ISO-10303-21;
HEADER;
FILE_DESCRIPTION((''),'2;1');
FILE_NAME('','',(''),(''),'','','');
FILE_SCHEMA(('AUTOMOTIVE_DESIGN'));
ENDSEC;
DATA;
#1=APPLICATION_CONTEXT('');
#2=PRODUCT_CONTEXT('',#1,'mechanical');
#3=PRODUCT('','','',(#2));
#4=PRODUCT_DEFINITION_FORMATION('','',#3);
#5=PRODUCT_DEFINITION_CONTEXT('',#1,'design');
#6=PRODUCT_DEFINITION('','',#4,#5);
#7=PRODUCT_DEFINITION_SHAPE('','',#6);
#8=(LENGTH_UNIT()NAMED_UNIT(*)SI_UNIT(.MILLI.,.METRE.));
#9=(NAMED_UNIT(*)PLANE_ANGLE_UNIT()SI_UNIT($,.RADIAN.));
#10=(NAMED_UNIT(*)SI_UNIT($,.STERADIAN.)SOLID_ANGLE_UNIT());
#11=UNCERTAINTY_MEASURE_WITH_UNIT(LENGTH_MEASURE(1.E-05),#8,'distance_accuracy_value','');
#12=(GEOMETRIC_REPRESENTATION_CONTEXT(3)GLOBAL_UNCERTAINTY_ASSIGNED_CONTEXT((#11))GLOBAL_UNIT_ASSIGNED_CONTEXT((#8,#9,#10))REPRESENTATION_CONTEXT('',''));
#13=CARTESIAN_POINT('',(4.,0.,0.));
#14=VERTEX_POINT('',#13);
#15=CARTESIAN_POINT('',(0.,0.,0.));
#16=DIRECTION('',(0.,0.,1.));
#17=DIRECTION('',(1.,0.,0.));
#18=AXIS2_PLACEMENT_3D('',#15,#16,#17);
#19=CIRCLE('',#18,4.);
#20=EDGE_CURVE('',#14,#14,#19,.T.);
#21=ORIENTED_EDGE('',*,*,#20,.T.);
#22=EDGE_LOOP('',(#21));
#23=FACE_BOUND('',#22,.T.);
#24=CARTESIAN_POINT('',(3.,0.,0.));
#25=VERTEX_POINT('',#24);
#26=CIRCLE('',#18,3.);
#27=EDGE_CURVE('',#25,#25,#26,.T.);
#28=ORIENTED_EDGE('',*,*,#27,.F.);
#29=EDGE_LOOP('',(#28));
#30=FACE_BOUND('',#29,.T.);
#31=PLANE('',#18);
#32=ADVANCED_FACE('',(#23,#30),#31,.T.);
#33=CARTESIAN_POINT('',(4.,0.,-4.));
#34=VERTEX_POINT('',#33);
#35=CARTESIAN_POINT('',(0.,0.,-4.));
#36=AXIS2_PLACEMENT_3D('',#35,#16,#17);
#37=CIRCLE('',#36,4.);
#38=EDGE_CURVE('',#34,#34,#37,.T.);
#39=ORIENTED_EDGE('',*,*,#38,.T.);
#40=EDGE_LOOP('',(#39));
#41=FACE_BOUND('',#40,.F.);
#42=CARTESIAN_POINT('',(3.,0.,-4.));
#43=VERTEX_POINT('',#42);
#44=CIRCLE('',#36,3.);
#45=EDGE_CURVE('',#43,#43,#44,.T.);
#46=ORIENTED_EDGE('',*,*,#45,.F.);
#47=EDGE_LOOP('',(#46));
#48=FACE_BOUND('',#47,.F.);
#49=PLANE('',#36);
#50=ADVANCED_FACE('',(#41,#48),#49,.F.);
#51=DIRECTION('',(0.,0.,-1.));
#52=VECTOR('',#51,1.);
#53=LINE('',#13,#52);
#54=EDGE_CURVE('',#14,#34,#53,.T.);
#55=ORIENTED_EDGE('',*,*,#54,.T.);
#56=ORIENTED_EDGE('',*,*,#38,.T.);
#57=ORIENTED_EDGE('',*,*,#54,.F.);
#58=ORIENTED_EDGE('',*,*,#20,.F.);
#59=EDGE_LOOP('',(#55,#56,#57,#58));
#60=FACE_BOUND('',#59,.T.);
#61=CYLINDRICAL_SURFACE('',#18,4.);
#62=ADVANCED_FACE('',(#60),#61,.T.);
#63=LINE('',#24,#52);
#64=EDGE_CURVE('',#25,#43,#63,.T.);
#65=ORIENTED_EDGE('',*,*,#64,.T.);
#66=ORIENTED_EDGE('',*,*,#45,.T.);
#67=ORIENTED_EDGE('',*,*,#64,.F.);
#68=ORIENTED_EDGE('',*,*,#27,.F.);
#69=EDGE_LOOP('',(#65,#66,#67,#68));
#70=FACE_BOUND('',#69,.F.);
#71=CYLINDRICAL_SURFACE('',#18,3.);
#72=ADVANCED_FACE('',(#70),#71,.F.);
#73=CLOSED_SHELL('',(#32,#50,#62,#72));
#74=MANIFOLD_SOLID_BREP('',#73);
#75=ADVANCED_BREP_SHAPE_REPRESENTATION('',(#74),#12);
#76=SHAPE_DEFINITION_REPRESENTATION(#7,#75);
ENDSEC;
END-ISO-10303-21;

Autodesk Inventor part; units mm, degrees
ref_plane "YZ Plane" through (0, 0, 0) normal (1, 0, 0) x (0, 1, 0)
ref_plane "XZ Plane" through (0, 0, 0) normal (0, 1, 0) x (-1, 0, 0)
ref_plane "XY Plane" through (0, 0, 0) normal (0, 0, 1) x (1, 0, 0)
sketch "スケッチ1" plane through (0, 0, 0) normal (0, 0, 1) x (1, 0, 0)
  circle A0 centre (0, 0) radius 3
  circle A1 centre (0, 0) radius 4
  dimension "d0" = 6
  dimension "d1" = 8
extrude "押し出し1" add sketch "スケッチ1" against normal blind 4
properties part number "ドライメットブッシュ 内径6長さ4"
